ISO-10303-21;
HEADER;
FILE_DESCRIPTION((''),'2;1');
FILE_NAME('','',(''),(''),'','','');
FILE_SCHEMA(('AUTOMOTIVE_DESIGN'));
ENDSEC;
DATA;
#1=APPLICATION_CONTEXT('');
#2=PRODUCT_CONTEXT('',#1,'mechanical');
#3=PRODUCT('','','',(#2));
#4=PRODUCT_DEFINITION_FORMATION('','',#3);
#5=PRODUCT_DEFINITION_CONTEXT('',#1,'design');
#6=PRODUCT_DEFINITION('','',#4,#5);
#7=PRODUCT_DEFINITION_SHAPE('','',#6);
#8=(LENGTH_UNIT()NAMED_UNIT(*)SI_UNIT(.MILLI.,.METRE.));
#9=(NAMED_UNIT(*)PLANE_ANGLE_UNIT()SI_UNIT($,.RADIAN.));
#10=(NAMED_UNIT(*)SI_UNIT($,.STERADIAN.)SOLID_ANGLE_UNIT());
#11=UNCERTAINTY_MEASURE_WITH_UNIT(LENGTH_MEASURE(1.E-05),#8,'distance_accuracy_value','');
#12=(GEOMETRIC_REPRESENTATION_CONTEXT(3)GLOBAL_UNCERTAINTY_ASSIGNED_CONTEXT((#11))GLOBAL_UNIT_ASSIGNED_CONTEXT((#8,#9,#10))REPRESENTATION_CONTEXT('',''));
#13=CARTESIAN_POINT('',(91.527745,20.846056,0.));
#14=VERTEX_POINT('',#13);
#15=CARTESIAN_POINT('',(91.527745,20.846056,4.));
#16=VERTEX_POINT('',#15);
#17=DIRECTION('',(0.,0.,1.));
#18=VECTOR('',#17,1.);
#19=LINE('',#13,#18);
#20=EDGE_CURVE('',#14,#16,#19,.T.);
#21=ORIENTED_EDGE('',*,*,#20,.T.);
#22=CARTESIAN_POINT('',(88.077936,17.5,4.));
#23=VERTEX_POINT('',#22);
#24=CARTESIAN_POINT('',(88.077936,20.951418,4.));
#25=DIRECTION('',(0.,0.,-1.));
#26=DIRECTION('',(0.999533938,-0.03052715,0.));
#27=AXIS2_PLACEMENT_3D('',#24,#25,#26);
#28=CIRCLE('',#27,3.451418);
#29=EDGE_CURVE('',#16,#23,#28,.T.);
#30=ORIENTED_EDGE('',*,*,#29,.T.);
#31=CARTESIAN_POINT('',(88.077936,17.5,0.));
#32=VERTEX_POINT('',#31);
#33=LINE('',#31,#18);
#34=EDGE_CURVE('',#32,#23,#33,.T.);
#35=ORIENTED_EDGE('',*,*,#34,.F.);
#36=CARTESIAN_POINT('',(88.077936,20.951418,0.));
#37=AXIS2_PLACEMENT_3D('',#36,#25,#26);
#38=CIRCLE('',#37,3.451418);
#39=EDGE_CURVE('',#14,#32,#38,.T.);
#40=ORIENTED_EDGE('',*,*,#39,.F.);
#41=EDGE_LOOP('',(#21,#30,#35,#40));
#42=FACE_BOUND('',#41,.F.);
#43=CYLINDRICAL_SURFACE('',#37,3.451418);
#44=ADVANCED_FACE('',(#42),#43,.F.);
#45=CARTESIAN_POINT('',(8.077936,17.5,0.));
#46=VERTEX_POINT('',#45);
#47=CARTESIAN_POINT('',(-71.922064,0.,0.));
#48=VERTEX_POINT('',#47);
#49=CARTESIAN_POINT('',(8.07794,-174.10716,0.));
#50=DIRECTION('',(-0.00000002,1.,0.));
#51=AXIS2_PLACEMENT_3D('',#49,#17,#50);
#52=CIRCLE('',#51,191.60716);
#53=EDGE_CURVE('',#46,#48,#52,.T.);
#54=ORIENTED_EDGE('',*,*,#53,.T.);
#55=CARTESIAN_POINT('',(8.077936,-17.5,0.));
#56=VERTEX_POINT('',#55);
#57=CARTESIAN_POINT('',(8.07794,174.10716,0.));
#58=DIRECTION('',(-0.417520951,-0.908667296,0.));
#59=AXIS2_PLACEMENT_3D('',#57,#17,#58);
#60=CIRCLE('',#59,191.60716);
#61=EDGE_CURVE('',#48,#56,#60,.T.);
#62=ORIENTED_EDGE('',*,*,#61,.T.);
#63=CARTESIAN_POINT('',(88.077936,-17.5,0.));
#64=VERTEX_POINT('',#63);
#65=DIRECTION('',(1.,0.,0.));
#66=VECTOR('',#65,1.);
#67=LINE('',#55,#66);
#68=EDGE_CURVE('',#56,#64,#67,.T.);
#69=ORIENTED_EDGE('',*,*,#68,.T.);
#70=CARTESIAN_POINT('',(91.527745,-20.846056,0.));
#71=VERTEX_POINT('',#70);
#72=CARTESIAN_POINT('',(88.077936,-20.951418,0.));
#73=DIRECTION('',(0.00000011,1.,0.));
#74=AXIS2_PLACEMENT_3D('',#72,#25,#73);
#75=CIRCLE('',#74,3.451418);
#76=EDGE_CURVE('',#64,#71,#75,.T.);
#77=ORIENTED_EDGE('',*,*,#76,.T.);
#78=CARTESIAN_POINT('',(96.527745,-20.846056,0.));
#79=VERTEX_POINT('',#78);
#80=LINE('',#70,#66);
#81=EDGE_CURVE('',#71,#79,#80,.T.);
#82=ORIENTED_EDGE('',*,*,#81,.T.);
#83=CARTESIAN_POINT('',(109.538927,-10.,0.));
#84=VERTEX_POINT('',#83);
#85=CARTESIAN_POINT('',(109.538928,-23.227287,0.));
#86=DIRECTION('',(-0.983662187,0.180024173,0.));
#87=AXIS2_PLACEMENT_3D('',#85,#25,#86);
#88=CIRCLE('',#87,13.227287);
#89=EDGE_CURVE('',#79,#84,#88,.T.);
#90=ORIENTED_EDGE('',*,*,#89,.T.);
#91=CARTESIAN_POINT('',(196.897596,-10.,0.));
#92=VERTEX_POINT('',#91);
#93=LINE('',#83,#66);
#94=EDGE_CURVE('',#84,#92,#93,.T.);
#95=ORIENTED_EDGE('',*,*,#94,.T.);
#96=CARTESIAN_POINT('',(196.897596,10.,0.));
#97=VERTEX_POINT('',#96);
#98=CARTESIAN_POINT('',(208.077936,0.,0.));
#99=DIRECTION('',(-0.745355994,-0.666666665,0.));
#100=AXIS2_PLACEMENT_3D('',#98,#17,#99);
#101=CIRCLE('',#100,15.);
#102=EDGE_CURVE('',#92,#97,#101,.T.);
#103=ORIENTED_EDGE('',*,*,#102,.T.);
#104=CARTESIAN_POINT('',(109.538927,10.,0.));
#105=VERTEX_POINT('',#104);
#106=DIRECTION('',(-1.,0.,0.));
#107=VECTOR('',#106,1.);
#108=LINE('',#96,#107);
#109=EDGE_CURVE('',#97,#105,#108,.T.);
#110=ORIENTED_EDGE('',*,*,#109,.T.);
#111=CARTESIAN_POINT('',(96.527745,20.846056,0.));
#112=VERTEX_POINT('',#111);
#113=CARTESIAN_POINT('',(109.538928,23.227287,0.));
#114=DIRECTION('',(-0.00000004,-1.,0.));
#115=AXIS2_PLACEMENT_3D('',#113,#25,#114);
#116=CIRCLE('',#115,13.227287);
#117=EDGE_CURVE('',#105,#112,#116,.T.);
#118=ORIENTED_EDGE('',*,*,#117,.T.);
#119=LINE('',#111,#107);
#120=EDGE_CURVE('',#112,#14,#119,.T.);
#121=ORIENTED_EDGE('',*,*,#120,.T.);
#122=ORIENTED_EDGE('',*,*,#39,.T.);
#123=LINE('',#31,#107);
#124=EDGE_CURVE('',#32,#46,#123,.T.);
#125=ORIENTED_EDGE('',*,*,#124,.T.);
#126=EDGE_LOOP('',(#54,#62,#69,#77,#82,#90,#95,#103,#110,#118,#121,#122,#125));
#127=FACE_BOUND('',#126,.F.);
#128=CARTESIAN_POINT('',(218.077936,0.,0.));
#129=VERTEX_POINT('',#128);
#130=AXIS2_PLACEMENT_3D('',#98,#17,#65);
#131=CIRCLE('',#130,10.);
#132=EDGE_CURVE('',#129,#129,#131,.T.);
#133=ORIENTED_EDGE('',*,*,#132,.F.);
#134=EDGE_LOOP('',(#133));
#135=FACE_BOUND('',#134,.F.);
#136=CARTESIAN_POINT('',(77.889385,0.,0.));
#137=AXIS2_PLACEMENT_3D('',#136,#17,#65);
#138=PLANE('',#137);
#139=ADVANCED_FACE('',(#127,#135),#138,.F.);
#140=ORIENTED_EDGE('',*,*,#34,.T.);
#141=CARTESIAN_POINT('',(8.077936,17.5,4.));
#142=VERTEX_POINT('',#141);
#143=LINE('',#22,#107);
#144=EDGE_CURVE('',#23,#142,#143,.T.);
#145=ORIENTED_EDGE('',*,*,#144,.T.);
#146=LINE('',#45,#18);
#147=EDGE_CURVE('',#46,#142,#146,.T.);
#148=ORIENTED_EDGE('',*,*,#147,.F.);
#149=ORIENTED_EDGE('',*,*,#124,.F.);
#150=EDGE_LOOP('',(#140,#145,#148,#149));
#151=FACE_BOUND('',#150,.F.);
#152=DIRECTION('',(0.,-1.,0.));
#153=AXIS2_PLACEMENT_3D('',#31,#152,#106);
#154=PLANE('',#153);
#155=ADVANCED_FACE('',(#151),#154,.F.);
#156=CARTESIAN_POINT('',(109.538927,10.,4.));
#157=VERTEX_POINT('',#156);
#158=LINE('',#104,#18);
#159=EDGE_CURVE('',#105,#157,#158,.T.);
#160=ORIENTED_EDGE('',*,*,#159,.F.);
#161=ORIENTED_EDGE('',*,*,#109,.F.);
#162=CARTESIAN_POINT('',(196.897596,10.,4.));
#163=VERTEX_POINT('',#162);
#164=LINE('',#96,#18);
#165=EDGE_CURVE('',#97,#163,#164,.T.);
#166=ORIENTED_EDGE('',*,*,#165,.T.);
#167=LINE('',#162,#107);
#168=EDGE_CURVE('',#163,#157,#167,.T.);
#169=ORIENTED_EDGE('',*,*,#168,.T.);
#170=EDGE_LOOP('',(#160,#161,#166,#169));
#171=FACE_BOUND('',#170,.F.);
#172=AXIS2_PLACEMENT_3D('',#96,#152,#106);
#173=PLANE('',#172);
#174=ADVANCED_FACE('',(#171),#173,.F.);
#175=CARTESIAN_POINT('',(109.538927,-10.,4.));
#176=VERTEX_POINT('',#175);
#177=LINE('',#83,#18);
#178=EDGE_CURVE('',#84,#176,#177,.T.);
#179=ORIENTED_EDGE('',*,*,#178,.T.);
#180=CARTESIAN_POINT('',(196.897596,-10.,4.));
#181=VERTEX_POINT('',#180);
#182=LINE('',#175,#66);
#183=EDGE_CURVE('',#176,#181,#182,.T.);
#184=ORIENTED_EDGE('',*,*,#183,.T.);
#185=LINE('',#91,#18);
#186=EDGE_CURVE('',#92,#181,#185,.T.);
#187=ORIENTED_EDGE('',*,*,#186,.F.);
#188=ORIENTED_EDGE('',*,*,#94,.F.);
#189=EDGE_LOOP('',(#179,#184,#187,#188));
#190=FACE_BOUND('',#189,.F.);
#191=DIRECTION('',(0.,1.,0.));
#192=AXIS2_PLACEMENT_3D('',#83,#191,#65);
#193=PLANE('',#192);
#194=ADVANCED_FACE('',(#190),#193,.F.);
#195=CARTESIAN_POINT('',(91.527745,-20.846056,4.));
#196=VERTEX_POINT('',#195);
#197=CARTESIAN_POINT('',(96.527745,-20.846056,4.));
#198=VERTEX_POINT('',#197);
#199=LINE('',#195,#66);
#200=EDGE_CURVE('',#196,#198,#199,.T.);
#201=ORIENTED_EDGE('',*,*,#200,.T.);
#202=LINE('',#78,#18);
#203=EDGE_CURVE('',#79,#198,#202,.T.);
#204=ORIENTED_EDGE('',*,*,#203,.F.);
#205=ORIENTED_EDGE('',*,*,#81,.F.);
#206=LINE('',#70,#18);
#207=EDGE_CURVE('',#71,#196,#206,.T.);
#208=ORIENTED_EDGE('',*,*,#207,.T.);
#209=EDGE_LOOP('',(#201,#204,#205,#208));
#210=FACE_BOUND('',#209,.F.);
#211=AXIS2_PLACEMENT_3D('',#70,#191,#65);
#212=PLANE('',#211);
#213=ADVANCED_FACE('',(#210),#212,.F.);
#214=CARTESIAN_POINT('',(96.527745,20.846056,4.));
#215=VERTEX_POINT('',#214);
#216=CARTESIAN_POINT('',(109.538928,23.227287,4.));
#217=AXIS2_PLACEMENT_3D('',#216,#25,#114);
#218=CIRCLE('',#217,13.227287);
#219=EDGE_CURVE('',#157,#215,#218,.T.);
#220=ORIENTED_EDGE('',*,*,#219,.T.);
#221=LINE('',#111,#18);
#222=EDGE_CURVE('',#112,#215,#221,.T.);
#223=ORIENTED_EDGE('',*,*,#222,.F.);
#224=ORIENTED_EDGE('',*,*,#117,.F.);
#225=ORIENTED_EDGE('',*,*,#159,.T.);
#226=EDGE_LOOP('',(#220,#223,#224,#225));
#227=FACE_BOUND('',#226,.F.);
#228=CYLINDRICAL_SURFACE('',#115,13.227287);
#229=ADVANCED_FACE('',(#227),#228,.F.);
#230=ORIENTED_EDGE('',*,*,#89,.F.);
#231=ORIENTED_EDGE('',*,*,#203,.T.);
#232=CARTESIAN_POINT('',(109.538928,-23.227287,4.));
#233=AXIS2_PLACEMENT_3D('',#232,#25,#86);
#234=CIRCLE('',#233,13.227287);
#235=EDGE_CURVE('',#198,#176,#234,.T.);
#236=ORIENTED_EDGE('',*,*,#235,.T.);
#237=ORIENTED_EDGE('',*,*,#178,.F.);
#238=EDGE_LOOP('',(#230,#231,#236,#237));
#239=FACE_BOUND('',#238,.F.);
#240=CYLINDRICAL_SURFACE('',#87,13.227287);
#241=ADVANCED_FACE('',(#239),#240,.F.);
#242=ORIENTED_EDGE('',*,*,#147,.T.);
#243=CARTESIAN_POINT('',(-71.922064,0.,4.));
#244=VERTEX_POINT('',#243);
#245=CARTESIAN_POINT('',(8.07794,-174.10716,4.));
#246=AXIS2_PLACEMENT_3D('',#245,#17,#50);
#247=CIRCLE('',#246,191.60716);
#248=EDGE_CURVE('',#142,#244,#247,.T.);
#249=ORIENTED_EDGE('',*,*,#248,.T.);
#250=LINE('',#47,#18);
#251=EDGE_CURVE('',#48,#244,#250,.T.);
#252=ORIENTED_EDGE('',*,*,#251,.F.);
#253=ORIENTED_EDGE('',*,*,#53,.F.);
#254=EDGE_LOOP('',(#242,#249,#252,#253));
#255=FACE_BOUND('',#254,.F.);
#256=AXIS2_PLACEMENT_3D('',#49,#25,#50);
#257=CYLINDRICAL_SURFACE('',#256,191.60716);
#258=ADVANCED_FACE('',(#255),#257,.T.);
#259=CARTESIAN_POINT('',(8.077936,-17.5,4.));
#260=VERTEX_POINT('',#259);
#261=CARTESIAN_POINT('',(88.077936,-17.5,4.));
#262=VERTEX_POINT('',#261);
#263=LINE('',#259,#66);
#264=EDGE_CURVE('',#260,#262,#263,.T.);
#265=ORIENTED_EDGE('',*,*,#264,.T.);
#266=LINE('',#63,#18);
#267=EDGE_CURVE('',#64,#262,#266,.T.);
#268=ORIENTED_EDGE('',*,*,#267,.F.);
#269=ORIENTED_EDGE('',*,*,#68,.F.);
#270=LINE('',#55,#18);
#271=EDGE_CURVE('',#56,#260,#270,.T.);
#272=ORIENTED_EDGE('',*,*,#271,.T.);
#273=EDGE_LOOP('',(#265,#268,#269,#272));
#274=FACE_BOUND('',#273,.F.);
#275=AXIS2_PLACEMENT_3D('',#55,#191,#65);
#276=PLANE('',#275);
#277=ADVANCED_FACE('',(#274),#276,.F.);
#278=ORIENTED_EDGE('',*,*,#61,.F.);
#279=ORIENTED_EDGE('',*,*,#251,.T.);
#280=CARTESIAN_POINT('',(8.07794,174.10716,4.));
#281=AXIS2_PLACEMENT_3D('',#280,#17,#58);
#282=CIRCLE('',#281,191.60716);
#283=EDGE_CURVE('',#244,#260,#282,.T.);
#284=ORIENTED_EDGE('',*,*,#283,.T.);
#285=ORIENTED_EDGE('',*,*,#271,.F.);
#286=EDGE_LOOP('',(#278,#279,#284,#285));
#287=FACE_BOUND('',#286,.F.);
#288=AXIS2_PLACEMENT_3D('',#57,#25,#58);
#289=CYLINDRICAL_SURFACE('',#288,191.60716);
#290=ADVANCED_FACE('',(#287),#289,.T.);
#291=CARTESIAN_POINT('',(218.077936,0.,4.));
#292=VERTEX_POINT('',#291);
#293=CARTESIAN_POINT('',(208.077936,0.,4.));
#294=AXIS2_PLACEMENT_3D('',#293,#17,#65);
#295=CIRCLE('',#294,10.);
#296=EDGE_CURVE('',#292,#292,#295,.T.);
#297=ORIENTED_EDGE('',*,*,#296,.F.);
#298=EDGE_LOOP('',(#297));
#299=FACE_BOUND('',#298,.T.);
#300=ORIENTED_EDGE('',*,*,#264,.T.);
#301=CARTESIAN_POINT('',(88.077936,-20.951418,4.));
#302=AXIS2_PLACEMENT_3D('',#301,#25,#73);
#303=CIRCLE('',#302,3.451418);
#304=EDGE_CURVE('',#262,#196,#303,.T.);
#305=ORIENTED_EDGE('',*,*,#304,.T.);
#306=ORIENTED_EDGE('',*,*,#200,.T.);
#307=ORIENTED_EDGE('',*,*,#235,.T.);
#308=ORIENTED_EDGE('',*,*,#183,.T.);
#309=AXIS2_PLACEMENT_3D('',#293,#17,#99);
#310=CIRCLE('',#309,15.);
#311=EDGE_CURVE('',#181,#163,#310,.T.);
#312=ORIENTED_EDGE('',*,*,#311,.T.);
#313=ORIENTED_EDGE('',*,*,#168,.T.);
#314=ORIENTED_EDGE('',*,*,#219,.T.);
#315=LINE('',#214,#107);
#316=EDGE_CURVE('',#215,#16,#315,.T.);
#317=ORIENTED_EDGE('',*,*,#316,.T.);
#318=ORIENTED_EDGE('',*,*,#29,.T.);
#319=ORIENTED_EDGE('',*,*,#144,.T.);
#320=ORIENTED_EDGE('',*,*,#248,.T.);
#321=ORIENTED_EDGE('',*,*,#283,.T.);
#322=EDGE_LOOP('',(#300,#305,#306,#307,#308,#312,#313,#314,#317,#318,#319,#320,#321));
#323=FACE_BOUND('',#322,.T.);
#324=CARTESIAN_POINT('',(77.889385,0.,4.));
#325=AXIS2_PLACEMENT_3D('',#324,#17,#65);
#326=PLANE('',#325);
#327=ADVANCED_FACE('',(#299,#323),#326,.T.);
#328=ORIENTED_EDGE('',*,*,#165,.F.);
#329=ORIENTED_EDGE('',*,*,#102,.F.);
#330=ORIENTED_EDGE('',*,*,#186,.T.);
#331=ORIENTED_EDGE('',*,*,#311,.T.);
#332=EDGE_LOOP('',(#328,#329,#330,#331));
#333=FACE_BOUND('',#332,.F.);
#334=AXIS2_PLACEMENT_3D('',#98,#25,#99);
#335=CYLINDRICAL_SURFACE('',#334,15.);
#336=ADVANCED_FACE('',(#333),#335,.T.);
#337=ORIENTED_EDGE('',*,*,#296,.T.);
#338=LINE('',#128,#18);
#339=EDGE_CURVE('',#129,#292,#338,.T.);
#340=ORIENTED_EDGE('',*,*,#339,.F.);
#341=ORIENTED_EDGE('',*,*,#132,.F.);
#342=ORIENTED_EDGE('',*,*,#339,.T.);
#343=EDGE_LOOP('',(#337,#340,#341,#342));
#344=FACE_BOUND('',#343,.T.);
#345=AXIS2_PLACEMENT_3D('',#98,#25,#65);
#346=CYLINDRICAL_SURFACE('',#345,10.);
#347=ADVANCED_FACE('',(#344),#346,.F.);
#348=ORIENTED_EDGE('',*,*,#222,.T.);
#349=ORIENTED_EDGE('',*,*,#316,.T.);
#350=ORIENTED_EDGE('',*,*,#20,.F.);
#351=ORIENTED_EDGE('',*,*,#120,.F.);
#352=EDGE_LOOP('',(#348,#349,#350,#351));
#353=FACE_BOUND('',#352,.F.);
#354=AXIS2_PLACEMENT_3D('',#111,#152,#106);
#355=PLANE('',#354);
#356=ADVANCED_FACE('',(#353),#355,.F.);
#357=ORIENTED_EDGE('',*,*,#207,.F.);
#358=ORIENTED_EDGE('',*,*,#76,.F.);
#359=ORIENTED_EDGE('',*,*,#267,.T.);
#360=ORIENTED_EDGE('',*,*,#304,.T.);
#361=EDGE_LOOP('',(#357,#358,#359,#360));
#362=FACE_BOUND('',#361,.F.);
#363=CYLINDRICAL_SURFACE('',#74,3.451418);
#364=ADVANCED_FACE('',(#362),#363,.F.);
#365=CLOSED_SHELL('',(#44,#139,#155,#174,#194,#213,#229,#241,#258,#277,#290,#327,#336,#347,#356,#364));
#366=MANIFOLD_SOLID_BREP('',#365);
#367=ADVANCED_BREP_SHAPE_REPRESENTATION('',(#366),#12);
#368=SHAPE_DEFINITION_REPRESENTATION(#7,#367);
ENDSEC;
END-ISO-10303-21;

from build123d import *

# Parameters (mm, degrees)
F0_R     = 10
F1_DEPTH = 4


with BuildPart() as f1:
    # F0 (on Top) → F1 (new body)
    with BuildSketch(Plane.XY):
        with BuildLine():
            Line((88.077936, 17.5), (8.077936, 17.5))
            ThreePointArc((8.077936, 17.5), (-32.867912, 13.073878), (-71.922064, 0))
            ThreePointArc((-71.922064, 0), (-32.867912, -13.073878), (8.077936, -17.5))
            Line((8.077936, -17.5), (88.077936, -17.5))
            ThreePointArc((88.077936, -17.5), (90.480917, -18.473926), (91.527745, -20.846056))
            Line((91.527745, -20.846056), (96.527745, -20.846056))
            ThreePointArc((96.527745, -20.846056), (101.069456, -13.067111), (109.538927, -10))
            Line((109.538927, -10), (196.897596, -10))
            ThreePointArc((196.897596, -10), (223.077936, 0), (196.897596, 10))
            Line((196.897596, 10), (109.538927, 10))
            ThreePointArc((109.538927, 10), (101.069456, 13.067111), (96.527745, 20.846056))
            Line((96.527745, 20.846056), (91.527745, 20.846056))
            ThreePointArc((91.527745, 20.846056), (90.480917, 18.473926), (88.077936, 17.5))
        make_face()
        with Locations((208.077936, 0)):
            Circle(F0_R, mode=Mode.SUBTRACT)
    extrude(amount=F1_DEPTH)


solid = f1.part
